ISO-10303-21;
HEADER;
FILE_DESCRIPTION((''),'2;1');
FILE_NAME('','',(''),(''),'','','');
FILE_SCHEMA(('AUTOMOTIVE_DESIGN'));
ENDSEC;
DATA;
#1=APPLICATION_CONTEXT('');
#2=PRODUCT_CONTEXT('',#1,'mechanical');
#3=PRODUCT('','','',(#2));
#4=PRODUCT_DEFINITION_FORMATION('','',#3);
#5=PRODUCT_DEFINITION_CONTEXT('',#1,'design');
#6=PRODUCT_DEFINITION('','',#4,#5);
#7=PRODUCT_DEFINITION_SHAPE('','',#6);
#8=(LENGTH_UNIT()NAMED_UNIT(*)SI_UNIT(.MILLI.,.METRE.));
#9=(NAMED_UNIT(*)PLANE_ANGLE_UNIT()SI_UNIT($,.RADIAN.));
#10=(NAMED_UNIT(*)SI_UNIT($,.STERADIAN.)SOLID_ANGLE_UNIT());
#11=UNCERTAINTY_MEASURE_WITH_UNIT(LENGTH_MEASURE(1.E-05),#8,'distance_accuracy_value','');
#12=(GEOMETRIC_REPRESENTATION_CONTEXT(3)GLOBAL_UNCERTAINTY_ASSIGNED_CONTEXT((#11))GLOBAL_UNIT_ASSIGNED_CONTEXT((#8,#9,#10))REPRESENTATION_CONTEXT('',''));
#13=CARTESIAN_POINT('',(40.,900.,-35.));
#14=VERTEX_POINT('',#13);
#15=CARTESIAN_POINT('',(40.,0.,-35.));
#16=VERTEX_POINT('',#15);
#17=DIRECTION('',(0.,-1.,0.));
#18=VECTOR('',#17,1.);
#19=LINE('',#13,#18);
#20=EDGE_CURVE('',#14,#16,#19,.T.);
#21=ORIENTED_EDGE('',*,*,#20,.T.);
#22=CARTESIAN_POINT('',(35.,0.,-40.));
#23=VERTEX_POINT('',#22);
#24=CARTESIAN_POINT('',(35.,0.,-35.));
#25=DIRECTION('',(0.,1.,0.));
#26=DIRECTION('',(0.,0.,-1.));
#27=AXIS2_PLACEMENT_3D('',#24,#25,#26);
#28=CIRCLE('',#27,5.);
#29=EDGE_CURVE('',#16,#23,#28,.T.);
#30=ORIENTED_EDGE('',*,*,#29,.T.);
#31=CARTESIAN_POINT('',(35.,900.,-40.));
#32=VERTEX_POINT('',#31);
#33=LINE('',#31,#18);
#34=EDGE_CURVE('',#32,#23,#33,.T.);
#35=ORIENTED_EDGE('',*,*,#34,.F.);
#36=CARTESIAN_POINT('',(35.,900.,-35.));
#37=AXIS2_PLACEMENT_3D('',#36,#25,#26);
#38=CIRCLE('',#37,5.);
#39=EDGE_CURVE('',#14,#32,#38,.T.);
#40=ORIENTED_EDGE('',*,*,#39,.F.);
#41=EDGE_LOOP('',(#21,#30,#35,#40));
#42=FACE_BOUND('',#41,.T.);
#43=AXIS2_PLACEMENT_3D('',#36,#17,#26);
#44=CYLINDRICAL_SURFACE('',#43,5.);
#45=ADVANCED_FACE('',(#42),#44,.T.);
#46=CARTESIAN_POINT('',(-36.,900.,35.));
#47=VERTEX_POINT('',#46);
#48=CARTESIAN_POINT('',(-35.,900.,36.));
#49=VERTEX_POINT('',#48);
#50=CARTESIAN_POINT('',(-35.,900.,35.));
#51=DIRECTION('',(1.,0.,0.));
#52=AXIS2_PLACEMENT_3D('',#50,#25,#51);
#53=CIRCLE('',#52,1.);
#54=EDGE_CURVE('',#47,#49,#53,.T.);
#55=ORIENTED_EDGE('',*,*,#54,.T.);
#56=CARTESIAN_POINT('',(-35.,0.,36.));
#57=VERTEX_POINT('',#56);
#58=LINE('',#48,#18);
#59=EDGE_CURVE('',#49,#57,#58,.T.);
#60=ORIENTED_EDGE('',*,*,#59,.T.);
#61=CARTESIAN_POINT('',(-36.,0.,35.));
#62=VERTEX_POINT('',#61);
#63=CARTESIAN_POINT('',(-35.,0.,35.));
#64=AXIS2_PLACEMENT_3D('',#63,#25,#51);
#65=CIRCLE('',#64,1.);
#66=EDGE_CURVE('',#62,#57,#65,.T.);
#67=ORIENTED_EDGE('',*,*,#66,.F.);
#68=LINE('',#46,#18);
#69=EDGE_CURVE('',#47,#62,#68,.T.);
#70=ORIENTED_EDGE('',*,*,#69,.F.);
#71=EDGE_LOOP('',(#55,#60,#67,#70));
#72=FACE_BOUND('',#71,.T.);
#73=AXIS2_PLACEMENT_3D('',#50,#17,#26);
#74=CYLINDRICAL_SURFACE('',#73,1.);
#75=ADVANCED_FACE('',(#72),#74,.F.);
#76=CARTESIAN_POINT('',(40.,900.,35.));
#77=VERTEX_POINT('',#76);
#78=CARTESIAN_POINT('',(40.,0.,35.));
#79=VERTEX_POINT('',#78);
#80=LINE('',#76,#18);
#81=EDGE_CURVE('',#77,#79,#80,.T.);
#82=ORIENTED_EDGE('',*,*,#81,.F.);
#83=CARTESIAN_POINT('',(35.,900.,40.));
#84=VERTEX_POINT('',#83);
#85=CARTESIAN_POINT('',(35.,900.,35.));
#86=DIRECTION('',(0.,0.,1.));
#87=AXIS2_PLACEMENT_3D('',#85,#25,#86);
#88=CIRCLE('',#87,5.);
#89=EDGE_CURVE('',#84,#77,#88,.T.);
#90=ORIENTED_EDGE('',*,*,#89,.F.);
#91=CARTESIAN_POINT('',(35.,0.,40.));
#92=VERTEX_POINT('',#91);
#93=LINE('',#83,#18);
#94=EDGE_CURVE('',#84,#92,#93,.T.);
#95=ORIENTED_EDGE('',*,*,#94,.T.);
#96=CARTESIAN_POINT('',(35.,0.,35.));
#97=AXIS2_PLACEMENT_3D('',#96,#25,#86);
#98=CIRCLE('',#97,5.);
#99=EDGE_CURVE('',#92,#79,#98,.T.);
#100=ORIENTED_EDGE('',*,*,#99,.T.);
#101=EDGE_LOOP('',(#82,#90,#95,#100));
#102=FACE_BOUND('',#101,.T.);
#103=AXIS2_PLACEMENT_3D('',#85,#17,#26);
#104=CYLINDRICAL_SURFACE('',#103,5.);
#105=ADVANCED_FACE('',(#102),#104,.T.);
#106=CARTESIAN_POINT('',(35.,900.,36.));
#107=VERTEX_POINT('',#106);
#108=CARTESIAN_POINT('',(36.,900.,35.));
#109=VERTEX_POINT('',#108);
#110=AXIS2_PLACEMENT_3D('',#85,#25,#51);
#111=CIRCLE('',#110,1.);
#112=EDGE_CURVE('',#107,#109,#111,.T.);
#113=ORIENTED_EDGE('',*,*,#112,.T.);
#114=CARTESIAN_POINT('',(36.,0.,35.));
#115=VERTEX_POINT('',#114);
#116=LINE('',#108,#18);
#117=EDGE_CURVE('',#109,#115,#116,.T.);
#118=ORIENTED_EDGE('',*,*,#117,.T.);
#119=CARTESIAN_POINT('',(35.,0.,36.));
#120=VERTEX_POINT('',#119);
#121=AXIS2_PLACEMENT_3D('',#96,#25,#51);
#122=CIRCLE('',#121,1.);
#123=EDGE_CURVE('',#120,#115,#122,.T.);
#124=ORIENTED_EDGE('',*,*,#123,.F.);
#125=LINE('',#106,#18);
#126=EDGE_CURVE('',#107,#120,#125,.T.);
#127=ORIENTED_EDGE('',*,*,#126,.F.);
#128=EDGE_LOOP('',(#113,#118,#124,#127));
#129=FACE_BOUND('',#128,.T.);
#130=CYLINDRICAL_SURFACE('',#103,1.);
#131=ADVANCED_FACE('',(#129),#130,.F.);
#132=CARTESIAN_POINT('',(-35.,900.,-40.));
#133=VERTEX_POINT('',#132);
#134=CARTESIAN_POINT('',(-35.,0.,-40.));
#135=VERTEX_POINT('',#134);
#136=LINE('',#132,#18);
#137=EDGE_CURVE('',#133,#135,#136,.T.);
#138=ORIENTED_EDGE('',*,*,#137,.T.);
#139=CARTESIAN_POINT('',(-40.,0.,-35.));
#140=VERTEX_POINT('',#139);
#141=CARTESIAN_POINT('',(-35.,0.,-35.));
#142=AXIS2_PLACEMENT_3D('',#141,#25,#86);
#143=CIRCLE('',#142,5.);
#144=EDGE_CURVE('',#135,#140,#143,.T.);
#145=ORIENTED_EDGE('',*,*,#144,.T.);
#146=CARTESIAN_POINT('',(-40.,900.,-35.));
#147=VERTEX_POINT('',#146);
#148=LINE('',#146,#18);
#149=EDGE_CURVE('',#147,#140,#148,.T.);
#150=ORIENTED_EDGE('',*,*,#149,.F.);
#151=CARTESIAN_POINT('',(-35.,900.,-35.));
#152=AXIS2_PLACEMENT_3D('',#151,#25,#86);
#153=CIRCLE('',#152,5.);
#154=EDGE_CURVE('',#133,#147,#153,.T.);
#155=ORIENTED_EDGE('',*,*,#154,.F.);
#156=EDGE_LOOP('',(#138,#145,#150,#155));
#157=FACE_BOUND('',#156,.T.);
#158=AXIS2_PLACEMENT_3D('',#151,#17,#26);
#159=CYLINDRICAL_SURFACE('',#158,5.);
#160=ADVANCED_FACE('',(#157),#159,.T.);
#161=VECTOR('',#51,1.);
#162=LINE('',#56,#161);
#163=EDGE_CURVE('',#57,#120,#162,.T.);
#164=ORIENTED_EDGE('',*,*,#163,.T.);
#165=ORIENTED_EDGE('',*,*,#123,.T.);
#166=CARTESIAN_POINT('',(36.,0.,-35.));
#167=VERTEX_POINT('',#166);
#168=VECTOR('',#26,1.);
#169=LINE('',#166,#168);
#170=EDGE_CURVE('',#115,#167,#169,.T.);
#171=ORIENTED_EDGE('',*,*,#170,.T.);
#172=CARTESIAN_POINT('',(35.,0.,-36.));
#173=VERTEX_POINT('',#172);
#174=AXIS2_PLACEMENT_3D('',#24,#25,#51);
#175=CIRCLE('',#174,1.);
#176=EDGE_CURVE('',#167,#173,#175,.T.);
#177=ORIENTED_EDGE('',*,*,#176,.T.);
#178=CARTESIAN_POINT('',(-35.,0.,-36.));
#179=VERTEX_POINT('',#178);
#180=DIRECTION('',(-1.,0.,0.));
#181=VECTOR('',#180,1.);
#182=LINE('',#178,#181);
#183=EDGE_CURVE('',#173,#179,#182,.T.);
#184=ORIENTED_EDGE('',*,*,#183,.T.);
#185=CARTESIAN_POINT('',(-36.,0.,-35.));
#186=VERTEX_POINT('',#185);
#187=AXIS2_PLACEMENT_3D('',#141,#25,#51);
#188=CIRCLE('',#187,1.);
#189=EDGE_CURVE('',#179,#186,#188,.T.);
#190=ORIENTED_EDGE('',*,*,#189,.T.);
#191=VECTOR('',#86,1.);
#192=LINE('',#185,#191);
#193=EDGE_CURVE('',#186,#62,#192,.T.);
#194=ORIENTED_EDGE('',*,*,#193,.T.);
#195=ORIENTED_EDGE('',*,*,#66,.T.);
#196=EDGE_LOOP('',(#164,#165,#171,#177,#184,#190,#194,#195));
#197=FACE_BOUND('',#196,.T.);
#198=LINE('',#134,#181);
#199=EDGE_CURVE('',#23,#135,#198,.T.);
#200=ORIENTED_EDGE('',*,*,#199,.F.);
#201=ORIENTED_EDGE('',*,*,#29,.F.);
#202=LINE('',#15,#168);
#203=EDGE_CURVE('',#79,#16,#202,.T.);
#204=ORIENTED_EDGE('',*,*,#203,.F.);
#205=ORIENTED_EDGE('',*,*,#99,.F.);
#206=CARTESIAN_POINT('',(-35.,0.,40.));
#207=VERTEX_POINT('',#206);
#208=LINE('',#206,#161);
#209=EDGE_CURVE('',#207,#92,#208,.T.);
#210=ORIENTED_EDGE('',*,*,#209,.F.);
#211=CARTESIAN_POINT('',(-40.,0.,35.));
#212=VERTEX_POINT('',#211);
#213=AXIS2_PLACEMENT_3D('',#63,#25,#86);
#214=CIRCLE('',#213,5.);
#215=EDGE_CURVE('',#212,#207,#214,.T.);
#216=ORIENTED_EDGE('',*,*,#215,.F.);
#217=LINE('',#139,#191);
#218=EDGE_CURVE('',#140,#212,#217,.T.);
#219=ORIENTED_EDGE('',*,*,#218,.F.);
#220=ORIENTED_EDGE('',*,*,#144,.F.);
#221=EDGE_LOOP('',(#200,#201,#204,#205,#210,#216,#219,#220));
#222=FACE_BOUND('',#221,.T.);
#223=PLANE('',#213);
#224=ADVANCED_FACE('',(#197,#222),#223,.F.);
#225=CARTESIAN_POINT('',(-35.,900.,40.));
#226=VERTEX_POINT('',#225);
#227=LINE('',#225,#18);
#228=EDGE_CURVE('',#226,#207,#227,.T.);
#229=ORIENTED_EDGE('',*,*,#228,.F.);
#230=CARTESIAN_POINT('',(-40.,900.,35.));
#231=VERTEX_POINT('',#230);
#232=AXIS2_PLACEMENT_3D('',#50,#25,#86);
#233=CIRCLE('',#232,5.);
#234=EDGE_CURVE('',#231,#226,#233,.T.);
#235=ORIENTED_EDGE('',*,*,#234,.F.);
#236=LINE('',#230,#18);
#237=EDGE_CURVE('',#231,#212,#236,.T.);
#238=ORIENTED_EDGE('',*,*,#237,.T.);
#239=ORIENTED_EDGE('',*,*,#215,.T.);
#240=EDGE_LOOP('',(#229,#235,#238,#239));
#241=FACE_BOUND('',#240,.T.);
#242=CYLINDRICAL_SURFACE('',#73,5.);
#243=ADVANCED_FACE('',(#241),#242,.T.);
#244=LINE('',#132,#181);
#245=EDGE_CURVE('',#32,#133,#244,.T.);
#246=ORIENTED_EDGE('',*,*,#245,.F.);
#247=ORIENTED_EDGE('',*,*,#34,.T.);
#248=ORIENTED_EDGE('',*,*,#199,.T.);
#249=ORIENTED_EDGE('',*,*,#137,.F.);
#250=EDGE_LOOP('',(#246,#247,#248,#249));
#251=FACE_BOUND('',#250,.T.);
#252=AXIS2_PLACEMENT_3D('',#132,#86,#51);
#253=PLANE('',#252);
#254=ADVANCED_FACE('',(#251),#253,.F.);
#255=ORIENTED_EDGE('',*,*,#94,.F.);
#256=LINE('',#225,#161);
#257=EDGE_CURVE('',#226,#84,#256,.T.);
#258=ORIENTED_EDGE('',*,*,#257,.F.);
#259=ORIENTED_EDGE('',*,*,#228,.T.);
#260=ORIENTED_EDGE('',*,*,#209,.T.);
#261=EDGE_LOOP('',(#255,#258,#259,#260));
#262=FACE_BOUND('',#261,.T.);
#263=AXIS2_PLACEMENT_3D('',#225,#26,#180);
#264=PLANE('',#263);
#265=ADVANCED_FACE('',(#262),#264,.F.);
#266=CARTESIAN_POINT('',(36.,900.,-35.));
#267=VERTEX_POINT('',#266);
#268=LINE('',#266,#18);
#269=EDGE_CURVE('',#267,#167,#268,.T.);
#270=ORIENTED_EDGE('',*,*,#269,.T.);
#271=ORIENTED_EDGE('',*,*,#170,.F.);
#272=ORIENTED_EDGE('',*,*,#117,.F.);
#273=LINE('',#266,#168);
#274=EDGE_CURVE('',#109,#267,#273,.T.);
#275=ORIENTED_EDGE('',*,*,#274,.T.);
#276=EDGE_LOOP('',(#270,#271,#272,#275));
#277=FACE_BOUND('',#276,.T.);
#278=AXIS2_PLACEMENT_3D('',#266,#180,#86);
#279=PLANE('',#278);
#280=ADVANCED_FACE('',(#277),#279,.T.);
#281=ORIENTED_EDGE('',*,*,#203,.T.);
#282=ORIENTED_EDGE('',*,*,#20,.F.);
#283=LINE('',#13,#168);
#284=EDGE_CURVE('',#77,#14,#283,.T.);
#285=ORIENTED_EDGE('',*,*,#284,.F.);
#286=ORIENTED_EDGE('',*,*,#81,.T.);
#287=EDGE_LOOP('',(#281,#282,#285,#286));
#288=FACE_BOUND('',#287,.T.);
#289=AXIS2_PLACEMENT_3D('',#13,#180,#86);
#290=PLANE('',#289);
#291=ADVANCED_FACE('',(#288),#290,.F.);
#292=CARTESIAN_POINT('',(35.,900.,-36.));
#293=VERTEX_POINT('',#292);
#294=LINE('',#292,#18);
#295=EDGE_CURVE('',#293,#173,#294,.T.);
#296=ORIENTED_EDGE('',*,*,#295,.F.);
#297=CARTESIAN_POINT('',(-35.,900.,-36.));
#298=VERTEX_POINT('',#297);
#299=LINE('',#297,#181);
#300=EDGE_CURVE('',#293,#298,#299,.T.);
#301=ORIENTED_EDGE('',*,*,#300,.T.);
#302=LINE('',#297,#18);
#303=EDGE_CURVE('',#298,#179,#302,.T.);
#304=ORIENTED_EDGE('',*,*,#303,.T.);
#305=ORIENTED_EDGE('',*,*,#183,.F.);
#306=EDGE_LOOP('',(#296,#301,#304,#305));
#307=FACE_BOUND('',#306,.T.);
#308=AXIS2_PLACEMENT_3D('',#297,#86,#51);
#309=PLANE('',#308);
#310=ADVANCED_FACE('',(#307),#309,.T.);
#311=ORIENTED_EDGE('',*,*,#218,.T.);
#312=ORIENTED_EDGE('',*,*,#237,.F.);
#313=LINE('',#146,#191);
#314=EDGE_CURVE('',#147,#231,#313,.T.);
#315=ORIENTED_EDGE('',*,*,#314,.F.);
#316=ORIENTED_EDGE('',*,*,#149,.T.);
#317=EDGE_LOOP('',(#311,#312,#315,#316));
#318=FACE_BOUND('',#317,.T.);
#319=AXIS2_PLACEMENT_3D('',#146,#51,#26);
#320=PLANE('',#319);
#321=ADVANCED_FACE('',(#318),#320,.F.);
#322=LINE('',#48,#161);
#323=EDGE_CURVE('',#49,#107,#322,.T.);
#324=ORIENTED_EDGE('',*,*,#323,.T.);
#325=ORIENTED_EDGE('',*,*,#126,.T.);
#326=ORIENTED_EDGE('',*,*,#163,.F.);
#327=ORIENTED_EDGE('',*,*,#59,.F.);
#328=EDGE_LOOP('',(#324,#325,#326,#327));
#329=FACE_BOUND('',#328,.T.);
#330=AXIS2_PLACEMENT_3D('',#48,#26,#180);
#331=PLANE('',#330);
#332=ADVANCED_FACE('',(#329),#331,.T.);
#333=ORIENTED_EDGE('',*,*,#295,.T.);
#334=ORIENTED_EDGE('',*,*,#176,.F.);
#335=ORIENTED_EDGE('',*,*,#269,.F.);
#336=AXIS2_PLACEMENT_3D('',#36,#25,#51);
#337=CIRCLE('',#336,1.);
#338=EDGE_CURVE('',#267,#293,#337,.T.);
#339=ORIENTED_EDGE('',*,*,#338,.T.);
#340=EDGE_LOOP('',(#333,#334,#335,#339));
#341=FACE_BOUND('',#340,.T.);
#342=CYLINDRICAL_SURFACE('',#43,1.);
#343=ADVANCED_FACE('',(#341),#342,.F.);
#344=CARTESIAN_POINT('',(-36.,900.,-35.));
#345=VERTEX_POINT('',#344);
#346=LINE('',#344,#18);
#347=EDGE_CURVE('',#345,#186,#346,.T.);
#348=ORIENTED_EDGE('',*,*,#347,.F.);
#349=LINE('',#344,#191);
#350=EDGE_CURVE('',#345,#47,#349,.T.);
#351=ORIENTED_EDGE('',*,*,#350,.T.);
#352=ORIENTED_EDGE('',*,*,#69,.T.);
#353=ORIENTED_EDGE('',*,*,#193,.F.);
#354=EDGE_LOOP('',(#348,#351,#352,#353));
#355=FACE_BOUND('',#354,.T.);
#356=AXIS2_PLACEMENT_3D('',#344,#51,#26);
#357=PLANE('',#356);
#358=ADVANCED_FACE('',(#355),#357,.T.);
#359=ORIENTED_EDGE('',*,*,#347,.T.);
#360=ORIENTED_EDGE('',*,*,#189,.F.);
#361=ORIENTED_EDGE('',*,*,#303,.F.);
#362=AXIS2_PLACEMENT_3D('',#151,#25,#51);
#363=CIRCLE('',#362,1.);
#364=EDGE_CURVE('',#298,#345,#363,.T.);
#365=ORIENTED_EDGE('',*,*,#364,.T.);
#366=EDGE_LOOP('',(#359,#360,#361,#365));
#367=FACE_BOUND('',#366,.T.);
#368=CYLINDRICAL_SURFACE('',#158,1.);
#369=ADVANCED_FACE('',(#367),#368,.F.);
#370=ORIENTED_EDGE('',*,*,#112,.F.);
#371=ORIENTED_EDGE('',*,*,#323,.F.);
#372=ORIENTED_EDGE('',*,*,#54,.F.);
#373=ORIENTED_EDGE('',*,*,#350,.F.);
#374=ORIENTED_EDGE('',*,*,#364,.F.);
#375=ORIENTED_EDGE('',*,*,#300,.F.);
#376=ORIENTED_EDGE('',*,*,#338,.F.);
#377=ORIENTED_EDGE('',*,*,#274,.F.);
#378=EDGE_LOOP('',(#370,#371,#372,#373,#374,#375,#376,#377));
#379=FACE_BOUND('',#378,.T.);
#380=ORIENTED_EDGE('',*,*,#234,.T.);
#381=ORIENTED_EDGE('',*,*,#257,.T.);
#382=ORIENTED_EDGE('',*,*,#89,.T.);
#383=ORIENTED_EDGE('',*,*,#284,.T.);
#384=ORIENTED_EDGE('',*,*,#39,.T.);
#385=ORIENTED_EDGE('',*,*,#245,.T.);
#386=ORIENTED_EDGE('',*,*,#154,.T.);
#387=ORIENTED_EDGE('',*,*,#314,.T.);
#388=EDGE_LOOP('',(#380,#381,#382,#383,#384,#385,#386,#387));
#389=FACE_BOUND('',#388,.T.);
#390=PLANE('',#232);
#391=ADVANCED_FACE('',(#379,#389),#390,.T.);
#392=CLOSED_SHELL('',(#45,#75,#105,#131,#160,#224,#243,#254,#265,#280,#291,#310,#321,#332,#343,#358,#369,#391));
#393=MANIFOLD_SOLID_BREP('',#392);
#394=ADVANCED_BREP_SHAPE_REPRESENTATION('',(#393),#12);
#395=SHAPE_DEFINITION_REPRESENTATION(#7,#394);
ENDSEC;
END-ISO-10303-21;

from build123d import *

# Parameters (mm, degrees)
EXTRUDE_1_DEPTH = 900


with BuildPart() as part:
    # Эскиз1 → Вытянуть-Тонкостенный1 (new body)
    with BuildSketch(Plane(origin=(0, 0, 0), x_dir=(1, 0, 0), z_dir=(0, 1, 0))):
        with BuildLine():
            Line((-35, 40), (35, 40))
            ThreePointArc((35, 40), (38.535533906, 38.535533906), (40, 35))
            Line((40, 35), (40, -35))
            ThreePointArc((40, -35), (38.535533906, -38.535533906), (35, -40))
            Line((35, -40), (-35, -40))
            ThreePointArc((-35, -40), (-38.535533906, -38.535533906), (-40, -35))
            Line((-40, -35), (-40, 35))
            ThreePointArc((-40, 35), (-38.535533906, 38.535533906), (-35, 40))
        make_face()
        with BuildLine():
            Line((-35, 36), (35, 36))
            ThreePointArc((35, 36), (35.707106781, 35.707106781), (36, 35))
            Line((36, 35), (36, -35))
            ThreePointArc((36, -35), (35.707106781, -35.707106781), (35, -36))
            Line((35, -36), (-35, -36))
            ThreePointArc((-35, -36), (-35.707106781, -35.707106781), (-36, -35))
            Line((-36, -35), (-36, 35))
            ThreePointArc((-36, 35), (-35.707106781, 35.707106781), (-35, 36))
        make_face(mode=Mode.SUBTRACT)
    extrude(amount=EXTRUDE_1_DEPTH)


solid = part.part
